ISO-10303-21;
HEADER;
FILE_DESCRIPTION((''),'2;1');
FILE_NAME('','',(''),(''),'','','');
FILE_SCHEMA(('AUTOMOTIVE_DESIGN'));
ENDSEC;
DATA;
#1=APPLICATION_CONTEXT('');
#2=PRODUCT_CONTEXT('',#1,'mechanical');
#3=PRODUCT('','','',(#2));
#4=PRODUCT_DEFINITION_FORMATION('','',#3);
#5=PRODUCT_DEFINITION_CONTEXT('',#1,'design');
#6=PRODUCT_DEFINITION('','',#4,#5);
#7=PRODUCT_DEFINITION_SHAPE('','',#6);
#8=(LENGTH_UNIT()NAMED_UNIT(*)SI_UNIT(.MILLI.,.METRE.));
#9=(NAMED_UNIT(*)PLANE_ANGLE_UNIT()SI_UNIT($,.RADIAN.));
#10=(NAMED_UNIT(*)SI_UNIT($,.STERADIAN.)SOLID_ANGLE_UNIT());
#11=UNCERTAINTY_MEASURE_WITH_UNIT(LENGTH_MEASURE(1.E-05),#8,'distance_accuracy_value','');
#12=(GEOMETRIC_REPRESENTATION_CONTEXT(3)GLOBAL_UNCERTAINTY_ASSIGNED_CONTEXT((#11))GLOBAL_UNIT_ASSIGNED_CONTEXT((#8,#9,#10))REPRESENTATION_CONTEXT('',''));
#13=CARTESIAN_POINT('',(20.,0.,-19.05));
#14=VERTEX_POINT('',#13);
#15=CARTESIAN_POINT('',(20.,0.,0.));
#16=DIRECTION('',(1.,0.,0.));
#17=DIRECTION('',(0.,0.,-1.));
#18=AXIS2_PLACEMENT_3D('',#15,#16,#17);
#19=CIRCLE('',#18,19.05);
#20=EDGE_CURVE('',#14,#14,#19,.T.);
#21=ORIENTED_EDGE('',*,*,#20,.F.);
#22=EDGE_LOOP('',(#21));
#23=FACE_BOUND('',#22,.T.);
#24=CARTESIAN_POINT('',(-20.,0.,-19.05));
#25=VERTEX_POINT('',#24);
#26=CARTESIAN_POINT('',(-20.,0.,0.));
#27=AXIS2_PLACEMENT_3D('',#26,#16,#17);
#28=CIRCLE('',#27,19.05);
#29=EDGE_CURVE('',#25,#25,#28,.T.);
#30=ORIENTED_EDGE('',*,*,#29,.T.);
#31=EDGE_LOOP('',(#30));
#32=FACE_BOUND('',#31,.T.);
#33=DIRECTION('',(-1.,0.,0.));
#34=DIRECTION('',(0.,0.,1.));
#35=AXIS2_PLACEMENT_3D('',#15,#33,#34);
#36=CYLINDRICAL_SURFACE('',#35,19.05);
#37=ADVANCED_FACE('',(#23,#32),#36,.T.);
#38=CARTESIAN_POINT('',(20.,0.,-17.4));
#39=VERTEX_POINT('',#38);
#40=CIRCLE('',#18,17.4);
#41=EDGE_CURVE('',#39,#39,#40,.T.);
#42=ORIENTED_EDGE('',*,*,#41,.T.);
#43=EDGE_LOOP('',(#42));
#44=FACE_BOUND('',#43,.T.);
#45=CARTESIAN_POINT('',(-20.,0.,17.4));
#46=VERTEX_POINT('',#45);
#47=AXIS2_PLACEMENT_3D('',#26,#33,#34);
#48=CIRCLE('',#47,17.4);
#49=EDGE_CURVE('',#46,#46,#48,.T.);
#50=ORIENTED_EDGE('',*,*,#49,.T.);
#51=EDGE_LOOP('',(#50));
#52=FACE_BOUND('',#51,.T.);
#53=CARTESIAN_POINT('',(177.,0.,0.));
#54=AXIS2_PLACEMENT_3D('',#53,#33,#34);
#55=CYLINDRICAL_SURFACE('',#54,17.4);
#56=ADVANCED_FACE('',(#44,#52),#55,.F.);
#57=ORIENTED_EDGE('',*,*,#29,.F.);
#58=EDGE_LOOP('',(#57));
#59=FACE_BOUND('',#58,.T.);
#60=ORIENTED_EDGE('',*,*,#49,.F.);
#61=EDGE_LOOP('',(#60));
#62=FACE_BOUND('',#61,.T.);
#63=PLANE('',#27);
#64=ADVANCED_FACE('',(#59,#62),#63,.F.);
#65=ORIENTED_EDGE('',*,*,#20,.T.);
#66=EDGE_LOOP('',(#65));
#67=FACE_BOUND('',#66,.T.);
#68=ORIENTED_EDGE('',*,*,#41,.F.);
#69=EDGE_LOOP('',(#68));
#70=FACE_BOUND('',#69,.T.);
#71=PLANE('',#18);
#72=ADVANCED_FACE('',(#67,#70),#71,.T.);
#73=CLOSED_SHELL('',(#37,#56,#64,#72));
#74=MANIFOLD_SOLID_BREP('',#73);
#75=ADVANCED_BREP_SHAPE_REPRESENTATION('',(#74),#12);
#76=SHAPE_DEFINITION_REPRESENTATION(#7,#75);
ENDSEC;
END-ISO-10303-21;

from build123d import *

# Parameters (mm, degrees)
CROQUIS1_R              = 19.05
SALIENTE_EXTRUIR1_DEPTH = 20
CROQUIS2_R              = 17.4
CORTAR_EXTRUIR1_DEPTH   = 197


with BuildPart() as part:
    # Croquis1 → Saliente-Extruir1 (new, symmetric)
    with BuildSketch(Plane(origin=(0, 0, 0), x_dir=(0, 0, -1), z_dir=(1, 0, 0))):
        Circle(CROQUIS1_R)
    extrude(amount=SALIENTE_EXTRUIR1_DEPTH, both=True)

    # Croquis2 → Cortar-Extruir1 (cut)
    with BuildSketch(Plane.ZY.offset(20)):
        Circle(CROQUIS2_R)
    extrude(amount=-CORTAR_EXTRUIR1_DEPTH, mode=Mode.SUBTRACT)


solid = part.part
